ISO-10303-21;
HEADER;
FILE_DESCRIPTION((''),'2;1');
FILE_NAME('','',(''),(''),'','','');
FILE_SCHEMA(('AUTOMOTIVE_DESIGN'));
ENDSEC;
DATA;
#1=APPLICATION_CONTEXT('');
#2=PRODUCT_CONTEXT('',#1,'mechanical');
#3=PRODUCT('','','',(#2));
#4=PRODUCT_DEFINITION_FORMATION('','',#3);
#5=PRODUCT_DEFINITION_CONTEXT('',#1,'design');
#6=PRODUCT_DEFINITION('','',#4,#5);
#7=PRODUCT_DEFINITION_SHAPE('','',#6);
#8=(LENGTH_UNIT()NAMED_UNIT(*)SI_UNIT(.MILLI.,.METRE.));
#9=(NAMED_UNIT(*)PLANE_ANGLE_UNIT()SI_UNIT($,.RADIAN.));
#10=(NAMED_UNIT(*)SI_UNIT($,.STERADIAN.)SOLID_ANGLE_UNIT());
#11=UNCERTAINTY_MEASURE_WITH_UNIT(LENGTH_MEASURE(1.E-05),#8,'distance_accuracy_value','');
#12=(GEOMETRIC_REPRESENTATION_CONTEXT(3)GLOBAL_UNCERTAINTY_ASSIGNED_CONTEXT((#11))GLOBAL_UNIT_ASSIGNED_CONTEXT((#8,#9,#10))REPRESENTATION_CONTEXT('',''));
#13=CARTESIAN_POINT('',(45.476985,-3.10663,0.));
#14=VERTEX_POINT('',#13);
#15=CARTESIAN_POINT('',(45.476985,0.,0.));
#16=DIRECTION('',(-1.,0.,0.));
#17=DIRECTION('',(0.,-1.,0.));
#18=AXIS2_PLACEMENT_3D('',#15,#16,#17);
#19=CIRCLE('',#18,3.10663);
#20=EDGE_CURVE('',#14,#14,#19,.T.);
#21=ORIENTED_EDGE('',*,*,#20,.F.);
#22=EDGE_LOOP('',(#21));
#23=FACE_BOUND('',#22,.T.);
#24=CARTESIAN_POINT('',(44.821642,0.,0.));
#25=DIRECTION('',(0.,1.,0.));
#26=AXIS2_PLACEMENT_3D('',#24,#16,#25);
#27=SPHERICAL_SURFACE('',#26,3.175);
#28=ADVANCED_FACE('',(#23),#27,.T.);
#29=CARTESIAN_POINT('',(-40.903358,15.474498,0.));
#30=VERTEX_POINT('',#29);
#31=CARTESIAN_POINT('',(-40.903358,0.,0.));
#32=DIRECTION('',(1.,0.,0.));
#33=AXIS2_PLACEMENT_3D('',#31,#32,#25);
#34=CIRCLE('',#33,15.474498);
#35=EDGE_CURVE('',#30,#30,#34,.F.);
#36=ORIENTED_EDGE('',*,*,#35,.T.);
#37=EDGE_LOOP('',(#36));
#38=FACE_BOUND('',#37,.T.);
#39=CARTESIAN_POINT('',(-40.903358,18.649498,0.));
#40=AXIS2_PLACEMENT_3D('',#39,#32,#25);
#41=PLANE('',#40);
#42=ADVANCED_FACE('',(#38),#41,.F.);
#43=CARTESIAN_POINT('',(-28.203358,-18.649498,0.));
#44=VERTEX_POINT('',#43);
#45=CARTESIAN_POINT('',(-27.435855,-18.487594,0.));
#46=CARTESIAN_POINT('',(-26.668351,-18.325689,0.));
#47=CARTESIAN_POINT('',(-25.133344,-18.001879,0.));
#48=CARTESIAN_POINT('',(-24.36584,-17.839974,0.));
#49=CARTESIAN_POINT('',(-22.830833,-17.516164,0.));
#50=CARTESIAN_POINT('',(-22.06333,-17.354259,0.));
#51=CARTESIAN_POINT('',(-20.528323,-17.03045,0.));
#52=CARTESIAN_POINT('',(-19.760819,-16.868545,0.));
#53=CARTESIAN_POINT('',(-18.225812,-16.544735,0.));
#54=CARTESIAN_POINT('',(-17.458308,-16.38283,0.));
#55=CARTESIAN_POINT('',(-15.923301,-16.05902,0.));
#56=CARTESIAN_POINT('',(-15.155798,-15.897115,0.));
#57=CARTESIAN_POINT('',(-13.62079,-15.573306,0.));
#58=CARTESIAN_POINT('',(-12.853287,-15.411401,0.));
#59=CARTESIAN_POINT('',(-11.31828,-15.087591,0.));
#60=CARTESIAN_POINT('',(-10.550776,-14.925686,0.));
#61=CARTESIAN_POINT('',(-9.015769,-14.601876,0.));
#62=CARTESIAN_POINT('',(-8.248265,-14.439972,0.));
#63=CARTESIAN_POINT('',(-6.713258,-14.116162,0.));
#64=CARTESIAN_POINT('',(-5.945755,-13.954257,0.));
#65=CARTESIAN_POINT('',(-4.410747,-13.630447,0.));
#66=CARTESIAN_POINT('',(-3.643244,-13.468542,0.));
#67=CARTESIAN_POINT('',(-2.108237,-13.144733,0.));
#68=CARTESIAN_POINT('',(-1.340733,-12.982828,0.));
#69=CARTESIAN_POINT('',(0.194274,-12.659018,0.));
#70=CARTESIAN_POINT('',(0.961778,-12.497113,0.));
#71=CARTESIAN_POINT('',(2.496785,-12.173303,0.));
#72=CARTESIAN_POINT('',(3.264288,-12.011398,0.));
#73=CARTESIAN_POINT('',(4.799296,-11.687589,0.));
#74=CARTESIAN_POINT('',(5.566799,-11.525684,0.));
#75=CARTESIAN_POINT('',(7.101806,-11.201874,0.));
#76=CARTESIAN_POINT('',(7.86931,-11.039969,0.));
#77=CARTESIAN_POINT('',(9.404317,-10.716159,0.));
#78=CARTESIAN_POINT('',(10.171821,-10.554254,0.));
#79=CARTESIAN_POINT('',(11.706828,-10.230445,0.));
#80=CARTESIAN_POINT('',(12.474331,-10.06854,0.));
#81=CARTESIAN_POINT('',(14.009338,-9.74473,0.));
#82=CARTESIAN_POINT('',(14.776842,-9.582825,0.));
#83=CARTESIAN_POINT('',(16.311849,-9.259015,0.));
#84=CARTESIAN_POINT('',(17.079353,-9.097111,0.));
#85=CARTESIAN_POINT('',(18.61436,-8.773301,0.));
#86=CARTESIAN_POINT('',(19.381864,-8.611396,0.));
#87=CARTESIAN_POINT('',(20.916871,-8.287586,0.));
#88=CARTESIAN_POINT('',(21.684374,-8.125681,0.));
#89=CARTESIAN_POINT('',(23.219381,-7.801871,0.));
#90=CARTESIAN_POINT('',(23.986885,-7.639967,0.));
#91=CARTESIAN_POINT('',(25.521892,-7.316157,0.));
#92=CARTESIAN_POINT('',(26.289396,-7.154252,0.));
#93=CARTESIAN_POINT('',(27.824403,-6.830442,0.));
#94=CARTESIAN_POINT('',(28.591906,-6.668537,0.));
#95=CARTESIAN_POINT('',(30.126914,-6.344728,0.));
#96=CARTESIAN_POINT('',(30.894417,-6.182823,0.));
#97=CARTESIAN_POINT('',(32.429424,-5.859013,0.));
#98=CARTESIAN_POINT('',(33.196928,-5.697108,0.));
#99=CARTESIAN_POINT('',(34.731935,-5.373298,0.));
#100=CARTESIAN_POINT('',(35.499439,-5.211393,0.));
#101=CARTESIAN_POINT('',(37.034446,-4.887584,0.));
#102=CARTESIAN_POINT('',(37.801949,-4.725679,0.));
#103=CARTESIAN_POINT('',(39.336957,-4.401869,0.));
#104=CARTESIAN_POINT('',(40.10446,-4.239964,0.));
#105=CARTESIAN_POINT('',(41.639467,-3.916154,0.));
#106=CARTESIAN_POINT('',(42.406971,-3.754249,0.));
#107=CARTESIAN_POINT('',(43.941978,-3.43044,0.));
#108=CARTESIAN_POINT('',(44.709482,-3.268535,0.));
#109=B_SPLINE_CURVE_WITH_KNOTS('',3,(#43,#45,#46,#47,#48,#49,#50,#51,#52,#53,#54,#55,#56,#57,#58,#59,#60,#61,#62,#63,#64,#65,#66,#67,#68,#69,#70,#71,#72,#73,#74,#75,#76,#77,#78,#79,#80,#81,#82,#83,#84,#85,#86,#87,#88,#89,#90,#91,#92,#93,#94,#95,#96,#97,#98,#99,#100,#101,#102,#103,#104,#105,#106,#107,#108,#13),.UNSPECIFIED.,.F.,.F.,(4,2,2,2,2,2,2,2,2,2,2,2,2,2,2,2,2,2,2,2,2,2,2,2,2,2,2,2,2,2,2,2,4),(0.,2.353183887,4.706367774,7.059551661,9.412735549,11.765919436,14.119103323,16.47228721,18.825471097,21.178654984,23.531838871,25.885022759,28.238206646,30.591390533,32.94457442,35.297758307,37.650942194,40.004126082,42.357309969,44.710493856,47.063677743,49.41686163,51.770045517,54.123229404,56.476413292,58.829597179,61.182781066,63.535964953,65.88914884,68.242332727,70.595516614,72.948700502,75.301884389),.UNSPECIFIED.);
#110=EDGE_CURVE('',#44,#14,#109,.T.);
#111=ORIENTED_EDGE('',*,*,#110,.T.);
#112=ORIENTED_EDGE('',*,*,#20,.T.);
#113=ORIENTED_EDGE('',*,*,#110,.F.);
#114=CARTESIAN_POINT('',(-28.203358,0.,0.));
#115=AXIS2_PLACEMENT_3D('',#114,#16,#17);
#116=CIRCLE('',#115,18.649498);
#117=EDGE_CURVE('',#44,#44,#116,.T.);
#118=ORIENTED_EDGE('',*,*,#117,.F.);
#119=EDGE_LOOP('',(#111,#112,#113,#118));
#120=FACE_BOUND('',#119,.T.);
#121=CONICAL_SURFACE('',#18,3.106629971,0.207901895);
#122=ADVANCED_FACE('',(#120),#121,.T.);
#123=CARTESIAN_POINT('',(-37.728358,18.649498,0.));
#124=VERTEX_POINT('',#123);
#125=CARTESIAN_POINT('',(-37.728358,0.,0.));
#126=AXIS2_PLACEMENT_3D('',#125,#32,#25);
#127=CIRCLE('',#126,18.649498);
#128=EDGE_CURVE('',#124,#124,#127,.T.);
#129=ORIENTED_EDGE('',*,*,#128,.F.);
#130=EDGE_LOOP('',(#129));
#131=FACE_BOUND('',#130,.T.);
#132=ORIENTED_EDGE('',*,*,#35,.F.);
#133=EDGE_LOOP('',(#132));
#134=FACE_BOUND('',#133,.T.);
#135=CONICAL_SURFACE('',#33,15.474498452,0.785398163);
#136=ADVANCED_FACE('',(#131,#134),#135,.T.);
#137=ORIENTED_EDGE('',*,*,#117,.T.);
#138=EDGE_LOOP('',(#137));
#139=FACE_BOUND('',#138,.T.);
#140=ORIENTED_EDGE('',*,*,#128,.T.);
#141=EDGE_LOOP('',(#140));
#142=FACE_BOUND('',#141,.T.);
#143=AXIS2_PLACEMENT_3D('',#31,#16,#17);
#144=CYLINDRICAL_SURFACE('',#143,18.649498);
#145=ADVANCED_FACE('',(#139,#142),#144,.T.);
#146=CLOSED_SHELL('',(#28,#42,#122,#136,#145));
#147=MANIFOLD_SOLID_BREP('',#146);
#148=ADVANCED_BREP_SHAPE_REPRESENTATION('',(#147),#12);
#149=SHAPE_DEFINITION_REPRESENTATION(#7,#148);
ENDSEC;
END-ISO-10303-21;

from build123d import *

# Parameters (mm, degrees)
CHAMFER1_SIZE = 3.175


with BuildPart() as part:
    # Sketch1 → Revolve1 (revolve)
    with BuildSketch(Plane.XY, mode=Mode.PRIVATE) as revolve1_sk:
        with BuildLine():
            Line((45.476985206, 3.106629971), (-28.203358387, 18.649498452))
            Line((-28.203358387, 18.649498452), (-40.903358387, 18.649498452))
            Line((-40.903358387, 18.649498452), (-40.903358387, 0))
            Line((-40.903358387, 0), (47.996641613, 0))
            ThreePointArc((47.996641613, 0), (47.287543163, 1.999988637), (45.476985206, 3.106629971))
        make_face()
    revolve(revolve1_sk.sketch.rotate(Axis((-40.903358387, 0, 0), (1, 0, 0)), 180), axis=Axis((-40.903358387, 0, 0), (1, 0, 0)))

    # Chamfer1
    chamfer1_edges = [part.edges().sort_by_distance(p)[0] for p in [
        (-40.903358387, 18.649498452, 0),
    ]]
    chamfer(chamfer1_edges, length=CHAMFER1_SIZE)


solid = part.part
